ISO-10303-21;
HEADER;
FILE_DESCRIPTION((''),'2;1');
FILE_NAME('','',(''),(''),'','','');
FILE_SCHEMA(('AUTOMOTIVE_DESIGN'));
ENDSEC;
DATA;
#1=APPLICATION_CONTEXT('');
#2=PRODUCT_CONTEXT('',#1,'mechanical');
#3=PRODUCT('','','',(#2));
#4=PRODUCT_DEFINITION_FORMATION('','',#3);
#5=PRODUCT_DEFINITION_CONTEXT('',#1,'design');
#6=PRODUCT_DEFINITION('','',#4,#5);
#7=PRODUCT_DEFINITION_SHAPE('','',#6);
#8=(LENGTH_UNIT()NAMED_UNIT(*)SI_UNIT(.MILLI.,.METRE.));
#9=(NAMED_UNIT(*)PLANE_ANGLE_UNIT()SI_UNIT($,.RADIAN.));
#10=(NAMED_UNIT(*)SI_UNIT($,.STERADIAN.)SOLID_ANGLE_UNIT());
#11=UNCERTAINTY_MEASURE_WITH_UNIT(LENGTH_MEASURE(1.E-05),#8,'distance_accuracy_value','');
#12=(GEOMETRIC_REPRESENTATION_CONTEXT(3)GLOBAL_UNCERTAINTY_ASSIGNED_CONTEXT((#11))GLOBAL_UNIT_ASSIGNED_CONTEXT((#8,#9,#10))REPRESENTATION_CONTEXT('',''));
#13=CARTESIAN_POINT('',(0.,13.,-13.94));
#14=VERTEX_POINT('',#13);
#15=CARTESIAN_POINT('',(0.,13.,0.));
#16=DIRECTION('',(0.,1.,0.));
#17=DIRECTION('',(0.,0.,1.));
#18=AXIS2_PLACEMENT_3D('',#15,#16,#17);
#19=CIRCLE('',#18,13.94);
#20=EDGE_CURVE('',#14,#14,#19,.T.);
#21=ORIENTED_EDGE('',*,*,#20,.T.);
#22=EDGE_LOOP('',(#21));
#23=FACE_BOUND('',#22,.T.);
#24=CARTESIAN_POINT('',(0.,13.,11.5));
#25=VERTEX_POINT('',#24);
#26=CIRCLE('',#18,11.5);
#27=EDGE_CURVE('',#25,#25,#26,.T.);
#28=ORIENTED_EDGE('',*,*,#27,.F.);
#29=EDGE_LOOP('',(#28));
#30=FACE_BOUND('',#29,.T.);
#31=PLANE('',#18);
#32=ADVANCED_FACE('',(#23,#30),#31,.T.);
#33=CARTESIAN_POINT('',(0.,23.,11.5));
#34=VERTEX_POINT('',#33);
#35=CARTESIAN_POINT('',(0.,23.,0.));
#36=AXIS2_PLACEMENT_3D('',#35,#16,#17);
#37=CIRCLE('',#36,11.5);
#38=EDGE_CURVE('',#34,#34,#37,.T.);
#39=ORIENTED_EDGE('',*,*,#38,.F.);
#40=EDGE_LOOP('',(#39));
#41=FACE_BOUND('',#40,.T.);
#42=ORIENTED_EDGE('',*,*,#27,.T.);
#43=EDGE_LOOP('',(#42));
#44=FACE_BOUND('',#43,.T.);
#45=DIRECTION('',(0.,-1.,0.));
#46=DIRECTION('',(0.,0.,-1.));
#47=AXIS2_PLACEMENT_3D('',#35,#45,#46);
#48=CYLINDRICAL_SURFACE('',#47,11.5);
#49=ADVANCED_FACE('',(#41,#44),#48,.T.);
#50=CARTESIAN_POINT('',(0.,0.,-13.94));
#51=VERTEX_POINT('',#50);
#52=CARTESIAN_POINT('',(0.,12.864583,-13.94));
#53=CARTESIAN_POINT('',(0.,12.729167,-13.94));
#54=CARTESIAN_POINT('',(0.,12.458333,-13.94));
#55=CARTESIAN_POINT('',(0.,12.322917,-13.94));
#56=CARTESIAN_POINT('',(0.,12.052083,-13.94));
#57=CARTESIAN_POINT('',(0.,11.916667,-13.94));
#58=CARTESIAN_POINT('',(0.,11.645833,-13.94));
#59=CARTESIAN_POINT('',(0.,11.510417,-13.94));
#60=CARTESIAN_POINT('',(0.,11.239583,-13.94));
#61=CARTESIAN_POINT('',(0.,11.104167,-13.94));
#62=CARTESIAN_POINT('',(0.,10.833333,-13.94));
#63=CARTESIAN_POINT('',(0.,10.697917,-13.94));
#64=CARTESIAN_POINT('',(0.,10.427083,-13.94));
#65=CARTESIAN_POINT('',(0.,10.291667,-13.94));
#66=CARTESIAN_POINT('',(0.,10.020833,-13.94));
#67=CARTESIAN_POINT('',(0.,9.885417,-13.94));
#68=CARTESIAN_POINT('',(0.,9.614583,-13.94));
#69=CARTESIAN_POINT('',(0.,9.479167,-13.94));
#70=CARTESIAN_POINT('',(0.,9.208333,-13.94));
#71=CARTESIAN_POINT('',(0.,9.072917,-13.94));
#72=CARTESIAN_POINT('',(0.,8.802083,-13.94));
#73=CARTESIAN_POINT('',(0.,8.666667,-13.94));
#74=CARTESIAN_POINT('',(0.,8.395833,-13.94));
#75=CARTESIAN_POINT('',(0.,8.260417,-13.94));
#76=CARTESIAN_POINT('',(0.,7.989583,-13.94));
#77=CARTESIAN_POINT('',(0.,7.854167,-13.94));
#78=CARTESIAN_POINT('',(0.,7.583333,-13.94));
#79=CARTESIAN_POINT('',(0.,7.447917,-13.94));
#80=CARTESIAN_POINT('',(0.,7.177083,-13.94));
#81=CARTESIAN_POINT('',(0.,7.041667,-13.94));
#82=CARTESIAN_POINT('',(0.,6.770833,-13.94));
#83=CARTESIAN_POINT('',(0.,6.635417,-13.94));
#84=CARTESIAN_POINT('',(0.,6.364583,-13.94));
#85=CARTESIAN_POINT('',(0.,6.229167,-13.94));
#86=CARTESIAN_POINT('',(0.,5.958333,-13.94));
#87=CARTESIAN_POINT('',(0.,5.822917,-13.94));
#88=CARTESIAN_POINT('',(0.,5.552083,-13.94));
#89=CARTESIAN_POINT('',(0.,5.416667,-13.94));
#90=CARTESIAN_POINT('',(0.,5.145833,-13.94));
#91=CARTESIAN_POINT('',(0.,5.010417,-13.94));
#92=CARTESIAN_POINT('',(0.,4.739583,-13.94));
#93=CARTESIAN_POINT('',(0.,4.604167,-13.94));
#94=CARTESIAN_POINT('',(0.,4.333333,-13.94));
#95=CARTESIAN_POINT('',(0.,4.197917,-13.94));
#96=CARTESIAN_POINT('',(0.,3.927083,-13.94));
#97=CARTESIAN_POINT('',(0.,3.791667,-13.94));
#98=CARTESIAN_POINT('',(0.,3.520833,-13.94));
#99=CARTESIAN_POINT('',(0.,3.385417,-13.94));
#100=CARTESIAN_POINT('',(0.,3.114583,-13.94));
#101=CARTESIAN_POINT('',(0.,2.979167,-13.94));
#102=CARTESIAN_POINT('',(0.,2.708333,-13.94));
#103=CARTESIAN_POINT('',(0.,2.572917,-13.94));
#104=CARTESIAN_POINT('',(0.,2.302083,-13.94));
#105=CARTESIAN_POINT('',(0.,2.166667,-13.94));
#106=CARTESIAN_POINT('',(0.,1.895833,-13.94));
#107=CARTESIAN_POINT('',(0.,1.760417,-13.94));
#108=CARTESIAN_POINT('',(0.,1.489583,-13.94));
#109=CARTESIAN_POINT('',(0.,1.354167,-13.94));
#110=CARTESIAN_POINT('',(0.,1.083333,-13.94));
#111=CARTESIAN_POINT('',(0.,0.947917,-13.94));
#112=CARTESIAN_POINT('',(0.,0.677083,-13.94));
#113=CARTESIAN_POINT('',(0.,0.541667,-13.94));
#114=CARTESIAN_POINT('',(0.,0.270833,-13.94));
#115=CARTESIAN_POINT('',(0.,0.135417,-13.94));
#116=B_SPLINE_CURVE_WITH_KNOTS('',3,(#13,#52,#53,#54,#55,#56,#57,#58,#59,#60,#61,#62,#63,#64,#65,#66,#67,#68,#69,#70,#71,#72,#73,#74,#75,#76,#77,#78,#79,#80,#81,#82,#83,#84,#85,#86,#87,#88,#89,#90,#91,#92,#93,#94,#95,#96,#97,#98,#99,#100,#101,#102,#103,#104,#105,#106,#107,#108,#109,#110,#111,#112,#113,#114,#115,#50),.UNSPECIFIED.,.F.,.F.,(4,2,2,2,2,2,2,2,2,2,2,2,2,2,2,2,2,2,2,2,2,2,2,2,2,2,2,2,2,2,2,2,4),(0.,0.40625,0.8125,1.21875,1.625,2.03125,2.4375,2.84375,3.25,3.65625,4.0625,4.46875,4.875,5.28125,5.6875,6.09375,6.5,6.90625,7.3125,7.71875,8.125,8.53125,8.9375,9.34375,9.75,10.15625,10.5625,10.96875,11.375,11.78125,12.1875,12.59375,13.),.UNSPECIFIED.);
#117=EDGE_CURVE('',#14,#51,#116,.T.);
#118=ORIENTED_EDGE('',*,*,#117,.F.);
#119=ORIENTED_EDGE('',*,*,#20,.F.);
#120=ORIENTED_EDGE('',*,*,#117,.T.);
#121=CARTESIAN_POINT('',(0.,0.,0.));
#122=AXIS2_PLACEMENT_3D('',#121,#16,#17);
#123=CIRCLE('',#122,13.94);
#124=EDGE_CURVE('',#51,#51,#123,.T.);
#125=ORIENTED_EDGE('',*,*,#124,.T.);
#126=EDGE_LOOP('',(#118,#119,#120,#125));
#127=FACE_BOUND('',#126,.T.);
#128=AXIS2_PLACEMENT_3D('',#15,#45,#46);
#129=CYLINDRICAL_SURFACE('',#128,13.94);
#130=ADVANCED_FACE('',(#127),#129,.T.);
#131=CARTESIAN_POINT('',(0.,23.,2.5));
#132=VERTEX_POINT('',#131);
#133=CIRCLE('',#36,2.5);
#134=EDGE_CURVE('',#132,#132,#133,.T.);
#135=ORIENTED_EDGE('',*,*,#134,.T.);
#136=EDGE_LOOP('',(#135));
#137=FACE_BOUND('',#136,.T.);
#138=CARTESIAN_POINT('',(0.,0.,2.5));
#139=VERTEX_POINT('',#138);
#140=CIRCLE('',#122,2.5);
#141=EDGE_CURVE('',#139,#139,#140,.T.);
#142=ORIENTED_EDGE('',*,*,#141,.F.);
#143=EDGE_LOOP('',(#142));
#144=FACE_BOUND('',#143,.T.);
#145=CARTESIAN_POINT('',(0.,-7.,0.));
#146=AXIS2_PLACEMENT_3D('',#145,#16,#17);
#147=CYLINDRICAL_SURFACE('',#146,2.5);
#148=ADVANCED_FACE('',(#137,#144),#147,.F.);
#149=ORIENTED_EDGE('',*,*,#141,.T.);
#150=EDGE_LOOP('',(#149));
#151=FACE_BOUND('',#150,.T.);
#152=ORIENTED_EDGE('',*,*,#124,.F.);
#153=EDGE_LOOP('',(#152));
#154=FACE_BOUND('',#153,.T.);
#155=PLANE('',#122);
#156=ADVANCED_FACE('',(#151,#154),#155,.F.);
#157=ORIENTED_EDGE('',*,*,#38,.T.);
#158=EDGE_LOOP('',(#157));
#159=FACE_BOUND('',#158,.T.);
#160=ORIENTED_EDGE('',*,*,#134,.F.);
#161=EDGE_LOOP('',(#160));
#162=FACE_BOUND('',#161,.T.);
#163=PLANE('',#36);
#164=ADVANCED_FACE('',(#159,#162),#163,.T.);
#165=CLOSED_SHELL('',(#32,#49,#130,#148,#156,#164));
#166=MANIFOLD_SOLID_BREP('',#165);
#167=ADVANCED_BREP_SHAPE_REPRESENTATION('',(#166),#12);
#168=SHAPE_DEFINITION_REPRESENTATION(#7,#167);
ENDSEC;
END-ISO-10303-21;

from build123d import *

# Parameters (mm, degrees)
SKETCH_1_R          = 13.94
EXTRUDE_1_DEPTH     = 13
SKETCH_2_R          = 11.5
EXTRUDE_2_DEPTH     = 10
SKETCH_3_R          = 2.5
CUT_EXTRUDE_1_DEPTH = 30


with BuildPart() as part:
    # 草图1 → 凸台-拉伸1 (new body)
    with BuildSketch(Plane(origin=(0, 0, 0), x_dir=(1, 0, 0), z_dir=(0, 1, 0))):
        with Locations(Location((0, 0, 0), (0, 0, 90))):
            Circle(SKETCH_1_R)
    extrude(amount=EXTRUDE_1_DEPTH)

    # 草图2 → 凸台-拉伸2 (add)
    with BuildSketch(Plane(origin=(0, 13, 0), x_dir=(1, 0, 0), z_dir=(0, 1, 0))):
        with Locations(Location((0, 0, 0), (0, 0, 270))):
            Circle(SKETCH_2_R)
    extrude(amount=EXTRUDE_2_DEPTH)

    # 草图3 → 切除-拉伸1 (cut)
    with BuildSketch(Plane(origin=(0, 23, 0), x_dir=(1, 0, 0), z_dir=(0, 1, 0))):
        with Locations(Location((0, 0, 0), (0, 0, 270))):
            Circle(SKETCH_3_R)
    extrude(amount=-CUT_EXTRUDE_1_DEPTH, mode=Mode.SUBTRACT)


solid = part.part
